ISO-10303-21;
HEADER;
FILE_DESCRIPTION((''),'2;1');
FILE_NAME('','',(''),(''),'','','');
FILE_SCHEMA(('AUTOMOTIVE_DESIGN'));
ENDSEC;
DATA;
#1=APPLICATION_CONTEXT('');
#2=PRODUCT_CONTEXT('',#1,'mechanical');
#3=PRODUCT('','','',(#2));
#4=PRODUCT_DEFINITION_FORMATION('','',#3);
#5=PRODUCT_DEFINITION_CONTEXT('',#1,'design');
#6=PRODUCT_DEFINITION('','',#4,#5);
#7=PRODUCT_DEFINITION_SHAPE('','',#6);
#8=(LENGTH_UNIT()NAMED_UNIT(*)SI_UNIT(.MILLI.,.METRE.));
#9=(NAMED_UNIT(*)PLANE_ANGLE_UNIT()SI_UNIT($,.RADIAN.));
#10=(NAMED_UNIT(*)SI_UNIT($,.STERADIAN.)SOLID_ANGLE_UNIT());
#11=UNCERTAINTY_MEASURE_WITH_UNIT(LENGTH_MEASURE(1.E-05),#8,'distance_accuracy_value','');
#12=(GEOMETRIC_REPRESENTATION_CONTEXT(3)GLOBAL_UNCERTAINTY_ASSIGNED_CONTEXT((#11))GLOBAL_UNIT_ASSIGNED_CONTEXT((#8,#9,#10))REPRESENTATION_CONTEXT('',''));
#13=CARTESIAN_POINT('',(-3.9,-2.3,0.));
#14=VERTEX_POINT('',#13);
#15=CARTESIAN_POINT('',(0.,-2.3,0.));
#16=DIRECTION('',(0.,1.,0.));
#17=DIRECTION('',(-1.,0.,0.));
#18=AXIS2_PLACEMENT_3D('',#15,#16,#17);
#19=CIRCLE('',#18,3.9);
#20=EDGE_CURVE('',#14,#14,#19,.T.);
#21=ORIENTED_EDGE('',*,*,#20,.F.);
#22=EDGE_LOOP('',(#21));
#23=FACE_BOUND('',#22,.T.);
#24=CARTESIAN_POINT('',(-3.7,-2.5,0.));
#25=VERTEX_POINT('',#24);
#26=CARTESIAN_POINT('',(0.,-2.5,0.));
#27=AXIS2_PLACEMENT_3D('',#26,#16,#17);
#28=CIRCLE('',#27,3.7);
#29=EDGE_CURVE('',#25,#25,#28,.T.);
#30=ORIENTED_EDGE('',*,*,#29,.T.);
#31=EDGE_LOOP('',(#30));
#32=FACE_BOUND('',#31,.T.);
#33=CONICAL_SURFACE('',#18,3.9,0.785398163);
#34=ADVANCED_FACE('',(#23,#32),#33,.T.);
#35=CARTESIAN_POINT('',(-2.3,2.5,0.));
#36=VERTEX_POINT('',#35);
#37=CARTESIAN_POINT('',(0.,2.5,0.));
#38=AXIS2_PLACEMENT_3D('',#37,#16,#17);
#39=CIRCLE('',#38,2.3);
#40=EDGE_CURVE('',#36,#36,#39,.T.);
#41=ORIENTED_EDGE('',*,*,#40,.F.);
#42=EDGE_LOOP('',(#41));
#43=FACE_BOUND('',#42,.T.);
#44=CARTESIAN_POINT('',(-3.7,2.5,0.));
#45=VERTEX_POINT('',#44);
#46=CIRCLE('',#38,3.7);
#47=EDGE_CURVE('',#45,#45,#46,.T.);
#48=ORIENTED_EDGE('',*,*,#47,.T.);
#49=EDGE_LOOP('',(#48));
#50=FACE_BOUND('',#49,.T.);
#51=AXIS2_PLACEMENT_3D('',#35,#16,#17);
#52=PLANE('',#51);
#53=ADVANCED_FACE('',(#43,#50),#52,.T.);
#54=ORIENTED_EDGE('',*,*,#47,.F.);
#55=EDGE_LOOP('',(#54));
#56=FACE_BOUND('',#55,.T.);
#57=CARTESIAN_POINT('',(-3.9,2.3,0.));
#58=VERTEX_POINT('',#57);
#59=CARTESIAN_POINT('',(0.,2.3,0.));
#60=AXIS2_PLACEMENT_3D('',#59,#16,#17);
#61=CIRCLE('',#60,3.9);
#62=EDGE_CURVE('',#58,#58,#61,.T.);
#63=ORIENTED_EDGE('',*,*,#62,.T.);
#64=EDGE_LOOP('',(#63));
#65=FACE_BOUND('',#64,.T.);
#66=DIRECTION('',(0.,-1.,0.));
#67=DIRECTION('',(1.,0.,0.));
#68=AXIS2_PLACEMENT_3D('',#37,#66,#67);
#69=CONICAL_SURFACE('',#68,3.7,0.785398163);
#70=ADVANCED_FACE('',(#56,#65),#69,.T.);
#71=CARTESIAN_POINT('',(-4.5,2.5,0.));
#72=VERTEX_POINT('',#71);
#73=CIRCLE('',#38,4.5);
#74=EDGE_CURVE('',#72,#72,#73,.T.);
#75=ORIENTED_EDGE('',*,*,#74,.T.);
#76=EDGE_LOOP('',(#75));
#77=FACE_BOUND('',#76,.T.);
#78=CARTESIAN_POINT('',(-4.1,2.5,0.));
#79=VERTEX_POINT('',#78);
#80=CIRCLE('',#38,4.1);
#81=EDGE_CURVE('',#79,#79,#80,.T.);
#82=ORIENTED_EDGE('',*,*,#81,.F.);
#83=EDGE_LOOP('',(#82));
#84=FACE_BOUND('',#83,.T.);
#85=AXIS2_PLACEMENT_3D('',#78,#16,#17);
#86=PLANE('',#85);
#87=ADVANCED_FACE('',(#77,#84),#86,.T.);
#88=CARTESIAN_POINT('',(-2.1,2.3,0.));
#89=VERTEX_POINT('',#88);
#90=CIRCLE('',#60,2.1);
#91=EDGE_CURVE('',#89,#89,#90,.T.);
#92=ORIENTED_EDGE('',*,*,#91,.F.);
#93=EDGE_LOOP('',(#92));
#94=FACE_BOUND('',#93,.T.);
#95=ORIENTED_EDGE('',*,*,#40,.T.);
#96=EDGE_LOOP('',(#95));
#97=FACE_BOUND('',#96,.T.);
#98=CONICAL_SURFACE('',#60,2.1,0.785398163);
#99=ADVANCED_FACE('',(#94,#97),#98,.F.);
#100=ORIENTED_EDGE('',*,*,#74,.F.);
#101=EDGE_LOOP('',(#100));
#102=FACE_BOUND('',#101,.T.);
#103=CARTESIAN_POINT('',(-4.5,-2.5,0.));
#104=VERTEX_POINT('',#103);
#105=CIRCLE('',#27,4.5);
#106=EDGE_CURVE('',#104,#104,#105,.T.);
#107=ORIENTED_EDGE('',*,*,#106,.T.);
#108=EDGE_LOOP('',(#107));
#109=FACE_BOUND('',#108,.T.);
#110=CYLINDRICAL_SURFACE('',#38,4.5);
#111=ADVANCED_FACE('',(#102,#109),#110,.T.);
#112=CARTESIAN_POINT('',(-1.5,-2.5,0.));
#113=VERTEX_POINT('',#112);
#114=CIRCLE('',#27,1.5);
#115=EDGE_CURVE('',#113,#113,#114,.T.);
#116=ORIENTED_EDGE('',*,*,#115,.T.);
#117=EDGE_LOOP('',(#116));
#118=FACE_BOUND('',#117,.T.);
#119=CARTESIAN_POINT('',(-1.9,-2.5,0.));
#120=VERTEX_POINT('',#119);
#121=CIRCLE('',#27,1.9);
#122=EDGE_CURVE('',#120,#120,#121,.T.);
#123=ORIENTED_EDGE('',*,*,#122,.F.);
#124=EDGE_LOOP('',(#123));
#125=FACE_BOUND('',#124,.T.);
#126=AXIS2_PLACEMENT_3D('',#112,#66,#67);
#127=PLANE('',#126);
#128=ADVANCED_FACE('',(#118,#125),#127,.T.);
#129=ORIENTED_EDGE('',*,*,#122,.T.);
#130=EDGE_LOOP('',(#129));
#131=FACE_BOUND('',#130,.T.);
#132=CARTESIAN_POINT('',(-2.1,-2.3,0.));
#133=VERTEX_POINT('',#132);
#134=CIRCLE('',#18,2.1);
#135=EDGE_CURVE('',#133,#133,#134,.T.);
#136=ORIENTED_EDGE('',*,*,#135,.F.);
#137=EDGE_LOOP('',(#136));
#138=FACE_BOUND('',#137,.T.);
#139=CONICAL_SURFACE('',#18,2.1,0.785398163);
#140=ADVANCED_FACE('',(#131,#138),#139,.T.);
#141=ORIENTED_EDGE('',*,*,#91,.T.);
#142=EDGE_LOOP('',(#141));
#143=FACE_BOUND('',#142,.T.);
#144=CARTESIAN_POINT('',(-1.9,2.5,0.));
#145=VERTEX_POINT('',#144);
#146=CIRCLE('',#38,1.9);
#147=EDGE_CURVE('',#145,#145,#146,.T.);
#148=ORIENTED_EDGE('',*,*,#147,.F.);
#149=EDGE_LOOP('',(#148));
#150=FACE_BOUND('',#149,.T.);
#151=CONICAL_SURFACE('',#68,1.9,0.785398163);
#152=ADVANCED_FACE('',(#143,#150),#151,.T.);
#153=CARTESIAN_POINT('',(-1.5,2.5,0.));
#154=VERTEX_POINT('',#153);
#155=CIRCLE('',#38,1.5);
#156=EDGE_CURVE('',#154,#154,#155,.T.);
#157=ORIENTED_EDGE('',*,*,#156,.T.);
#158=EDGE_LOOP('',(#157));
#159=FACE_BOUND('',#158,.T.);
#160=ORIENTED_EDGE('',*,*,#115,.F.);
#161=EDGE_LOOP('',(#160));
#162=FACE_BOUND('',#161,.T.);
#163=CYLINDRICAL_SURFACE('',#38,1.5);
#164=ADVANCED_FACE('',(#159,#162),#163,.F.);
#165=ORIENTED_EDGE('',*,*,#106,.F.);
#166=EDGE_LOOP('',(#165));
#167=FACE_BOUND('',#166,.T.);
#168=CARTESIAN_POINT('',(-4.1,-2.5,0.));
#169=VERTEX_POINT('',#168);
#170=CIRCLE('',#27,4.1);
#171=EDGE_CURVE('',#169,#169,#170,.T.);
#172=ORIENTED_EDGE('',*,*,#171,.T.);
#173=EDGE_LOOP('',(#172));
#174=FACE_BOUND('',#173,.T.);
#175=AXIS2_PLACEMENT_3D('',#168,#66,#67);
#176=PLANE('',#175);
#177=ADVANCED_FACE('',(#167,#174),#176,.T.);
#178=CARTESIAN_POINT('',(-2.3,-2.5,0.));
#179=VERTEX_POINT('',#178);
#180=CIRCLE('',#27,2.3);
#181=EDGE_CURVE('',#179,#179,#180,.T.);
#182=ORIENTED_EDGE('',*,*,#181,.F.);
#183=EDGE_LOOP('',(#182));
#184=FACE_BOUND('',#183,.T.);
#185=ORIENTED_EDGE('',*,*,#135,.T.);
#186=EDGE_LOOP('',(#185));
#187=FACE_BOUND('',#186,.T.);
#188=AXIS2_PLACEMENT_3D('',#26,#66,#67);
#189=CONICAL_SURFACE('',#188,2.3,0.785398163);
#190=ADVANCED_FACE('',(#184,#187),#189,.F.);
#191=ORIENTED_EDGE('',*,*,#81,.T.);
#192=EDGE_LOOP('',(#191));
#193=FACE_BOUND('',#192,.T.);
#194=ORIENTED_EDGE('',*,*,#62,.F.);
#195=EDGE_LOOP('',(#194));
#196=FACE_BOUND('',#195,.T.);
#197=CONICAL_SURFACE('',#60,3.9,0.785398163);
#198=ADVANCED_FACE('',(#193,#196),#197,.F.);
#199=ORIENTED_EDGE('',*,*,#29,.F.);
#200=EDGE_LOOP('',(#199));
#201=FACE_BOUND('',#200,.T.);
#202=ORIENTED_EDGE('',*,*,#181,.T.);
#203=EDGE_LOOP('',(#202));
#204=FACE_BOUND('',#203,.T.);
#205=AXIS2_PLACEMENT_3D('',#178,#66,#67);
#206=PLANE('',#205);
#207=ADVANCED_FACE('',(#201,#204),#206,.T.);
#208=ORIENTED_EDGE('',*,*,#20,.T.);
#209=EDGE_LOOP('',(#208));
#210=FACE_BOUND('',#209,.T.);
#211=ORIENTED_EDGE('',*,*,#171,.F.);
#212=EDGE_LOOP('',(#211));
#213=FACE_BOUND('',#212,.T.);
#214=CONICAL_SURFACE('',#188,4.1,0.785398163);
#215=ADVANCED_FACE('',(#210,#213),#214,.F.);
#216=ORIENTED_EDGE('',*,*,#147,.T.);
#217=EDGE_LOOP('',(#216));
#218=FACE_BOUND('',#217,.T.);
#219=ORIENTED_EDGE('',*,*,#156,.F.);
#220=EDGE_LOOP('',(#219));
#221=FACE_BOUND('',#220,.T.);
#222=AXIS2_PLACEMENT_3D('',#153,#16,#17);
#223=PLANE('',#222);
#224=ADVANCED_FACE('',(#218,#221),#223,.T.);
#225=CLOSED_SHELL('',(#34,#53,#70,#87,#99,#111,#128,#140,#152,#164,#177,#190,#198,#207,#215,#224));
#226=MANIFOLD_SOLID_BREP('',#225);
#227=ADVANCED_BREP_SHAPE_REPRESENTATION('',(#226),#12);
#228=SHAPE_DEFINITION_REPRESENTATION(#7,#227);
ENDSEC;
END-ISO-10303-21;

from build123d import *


with BuildPart() as part:
    # Sketch1 → Revolve1 (revolve)
    with BuildSketch(Plane.XY):
        Polygon((-1.5, 2.5), (-1.9, 2.5), (-2.1, 2.3), (-2.3, 2.5), (-3.7, 2.5), (-3.9, 2.3), (-4.1, 2.5), (-4.5, 2.5), (-4.5, -2.5), (-4.1, -2.5), (-3.9, -2.3), (-3.7, -2.5), (-2.3, -2.5), (-2.1, -2.3), (-1.9, -2.5), (-1.5, -2.5), align=None)
    revolve(axis=Axis((0, 2.5, 0), (0, -1, 0)))


solid = part.part
